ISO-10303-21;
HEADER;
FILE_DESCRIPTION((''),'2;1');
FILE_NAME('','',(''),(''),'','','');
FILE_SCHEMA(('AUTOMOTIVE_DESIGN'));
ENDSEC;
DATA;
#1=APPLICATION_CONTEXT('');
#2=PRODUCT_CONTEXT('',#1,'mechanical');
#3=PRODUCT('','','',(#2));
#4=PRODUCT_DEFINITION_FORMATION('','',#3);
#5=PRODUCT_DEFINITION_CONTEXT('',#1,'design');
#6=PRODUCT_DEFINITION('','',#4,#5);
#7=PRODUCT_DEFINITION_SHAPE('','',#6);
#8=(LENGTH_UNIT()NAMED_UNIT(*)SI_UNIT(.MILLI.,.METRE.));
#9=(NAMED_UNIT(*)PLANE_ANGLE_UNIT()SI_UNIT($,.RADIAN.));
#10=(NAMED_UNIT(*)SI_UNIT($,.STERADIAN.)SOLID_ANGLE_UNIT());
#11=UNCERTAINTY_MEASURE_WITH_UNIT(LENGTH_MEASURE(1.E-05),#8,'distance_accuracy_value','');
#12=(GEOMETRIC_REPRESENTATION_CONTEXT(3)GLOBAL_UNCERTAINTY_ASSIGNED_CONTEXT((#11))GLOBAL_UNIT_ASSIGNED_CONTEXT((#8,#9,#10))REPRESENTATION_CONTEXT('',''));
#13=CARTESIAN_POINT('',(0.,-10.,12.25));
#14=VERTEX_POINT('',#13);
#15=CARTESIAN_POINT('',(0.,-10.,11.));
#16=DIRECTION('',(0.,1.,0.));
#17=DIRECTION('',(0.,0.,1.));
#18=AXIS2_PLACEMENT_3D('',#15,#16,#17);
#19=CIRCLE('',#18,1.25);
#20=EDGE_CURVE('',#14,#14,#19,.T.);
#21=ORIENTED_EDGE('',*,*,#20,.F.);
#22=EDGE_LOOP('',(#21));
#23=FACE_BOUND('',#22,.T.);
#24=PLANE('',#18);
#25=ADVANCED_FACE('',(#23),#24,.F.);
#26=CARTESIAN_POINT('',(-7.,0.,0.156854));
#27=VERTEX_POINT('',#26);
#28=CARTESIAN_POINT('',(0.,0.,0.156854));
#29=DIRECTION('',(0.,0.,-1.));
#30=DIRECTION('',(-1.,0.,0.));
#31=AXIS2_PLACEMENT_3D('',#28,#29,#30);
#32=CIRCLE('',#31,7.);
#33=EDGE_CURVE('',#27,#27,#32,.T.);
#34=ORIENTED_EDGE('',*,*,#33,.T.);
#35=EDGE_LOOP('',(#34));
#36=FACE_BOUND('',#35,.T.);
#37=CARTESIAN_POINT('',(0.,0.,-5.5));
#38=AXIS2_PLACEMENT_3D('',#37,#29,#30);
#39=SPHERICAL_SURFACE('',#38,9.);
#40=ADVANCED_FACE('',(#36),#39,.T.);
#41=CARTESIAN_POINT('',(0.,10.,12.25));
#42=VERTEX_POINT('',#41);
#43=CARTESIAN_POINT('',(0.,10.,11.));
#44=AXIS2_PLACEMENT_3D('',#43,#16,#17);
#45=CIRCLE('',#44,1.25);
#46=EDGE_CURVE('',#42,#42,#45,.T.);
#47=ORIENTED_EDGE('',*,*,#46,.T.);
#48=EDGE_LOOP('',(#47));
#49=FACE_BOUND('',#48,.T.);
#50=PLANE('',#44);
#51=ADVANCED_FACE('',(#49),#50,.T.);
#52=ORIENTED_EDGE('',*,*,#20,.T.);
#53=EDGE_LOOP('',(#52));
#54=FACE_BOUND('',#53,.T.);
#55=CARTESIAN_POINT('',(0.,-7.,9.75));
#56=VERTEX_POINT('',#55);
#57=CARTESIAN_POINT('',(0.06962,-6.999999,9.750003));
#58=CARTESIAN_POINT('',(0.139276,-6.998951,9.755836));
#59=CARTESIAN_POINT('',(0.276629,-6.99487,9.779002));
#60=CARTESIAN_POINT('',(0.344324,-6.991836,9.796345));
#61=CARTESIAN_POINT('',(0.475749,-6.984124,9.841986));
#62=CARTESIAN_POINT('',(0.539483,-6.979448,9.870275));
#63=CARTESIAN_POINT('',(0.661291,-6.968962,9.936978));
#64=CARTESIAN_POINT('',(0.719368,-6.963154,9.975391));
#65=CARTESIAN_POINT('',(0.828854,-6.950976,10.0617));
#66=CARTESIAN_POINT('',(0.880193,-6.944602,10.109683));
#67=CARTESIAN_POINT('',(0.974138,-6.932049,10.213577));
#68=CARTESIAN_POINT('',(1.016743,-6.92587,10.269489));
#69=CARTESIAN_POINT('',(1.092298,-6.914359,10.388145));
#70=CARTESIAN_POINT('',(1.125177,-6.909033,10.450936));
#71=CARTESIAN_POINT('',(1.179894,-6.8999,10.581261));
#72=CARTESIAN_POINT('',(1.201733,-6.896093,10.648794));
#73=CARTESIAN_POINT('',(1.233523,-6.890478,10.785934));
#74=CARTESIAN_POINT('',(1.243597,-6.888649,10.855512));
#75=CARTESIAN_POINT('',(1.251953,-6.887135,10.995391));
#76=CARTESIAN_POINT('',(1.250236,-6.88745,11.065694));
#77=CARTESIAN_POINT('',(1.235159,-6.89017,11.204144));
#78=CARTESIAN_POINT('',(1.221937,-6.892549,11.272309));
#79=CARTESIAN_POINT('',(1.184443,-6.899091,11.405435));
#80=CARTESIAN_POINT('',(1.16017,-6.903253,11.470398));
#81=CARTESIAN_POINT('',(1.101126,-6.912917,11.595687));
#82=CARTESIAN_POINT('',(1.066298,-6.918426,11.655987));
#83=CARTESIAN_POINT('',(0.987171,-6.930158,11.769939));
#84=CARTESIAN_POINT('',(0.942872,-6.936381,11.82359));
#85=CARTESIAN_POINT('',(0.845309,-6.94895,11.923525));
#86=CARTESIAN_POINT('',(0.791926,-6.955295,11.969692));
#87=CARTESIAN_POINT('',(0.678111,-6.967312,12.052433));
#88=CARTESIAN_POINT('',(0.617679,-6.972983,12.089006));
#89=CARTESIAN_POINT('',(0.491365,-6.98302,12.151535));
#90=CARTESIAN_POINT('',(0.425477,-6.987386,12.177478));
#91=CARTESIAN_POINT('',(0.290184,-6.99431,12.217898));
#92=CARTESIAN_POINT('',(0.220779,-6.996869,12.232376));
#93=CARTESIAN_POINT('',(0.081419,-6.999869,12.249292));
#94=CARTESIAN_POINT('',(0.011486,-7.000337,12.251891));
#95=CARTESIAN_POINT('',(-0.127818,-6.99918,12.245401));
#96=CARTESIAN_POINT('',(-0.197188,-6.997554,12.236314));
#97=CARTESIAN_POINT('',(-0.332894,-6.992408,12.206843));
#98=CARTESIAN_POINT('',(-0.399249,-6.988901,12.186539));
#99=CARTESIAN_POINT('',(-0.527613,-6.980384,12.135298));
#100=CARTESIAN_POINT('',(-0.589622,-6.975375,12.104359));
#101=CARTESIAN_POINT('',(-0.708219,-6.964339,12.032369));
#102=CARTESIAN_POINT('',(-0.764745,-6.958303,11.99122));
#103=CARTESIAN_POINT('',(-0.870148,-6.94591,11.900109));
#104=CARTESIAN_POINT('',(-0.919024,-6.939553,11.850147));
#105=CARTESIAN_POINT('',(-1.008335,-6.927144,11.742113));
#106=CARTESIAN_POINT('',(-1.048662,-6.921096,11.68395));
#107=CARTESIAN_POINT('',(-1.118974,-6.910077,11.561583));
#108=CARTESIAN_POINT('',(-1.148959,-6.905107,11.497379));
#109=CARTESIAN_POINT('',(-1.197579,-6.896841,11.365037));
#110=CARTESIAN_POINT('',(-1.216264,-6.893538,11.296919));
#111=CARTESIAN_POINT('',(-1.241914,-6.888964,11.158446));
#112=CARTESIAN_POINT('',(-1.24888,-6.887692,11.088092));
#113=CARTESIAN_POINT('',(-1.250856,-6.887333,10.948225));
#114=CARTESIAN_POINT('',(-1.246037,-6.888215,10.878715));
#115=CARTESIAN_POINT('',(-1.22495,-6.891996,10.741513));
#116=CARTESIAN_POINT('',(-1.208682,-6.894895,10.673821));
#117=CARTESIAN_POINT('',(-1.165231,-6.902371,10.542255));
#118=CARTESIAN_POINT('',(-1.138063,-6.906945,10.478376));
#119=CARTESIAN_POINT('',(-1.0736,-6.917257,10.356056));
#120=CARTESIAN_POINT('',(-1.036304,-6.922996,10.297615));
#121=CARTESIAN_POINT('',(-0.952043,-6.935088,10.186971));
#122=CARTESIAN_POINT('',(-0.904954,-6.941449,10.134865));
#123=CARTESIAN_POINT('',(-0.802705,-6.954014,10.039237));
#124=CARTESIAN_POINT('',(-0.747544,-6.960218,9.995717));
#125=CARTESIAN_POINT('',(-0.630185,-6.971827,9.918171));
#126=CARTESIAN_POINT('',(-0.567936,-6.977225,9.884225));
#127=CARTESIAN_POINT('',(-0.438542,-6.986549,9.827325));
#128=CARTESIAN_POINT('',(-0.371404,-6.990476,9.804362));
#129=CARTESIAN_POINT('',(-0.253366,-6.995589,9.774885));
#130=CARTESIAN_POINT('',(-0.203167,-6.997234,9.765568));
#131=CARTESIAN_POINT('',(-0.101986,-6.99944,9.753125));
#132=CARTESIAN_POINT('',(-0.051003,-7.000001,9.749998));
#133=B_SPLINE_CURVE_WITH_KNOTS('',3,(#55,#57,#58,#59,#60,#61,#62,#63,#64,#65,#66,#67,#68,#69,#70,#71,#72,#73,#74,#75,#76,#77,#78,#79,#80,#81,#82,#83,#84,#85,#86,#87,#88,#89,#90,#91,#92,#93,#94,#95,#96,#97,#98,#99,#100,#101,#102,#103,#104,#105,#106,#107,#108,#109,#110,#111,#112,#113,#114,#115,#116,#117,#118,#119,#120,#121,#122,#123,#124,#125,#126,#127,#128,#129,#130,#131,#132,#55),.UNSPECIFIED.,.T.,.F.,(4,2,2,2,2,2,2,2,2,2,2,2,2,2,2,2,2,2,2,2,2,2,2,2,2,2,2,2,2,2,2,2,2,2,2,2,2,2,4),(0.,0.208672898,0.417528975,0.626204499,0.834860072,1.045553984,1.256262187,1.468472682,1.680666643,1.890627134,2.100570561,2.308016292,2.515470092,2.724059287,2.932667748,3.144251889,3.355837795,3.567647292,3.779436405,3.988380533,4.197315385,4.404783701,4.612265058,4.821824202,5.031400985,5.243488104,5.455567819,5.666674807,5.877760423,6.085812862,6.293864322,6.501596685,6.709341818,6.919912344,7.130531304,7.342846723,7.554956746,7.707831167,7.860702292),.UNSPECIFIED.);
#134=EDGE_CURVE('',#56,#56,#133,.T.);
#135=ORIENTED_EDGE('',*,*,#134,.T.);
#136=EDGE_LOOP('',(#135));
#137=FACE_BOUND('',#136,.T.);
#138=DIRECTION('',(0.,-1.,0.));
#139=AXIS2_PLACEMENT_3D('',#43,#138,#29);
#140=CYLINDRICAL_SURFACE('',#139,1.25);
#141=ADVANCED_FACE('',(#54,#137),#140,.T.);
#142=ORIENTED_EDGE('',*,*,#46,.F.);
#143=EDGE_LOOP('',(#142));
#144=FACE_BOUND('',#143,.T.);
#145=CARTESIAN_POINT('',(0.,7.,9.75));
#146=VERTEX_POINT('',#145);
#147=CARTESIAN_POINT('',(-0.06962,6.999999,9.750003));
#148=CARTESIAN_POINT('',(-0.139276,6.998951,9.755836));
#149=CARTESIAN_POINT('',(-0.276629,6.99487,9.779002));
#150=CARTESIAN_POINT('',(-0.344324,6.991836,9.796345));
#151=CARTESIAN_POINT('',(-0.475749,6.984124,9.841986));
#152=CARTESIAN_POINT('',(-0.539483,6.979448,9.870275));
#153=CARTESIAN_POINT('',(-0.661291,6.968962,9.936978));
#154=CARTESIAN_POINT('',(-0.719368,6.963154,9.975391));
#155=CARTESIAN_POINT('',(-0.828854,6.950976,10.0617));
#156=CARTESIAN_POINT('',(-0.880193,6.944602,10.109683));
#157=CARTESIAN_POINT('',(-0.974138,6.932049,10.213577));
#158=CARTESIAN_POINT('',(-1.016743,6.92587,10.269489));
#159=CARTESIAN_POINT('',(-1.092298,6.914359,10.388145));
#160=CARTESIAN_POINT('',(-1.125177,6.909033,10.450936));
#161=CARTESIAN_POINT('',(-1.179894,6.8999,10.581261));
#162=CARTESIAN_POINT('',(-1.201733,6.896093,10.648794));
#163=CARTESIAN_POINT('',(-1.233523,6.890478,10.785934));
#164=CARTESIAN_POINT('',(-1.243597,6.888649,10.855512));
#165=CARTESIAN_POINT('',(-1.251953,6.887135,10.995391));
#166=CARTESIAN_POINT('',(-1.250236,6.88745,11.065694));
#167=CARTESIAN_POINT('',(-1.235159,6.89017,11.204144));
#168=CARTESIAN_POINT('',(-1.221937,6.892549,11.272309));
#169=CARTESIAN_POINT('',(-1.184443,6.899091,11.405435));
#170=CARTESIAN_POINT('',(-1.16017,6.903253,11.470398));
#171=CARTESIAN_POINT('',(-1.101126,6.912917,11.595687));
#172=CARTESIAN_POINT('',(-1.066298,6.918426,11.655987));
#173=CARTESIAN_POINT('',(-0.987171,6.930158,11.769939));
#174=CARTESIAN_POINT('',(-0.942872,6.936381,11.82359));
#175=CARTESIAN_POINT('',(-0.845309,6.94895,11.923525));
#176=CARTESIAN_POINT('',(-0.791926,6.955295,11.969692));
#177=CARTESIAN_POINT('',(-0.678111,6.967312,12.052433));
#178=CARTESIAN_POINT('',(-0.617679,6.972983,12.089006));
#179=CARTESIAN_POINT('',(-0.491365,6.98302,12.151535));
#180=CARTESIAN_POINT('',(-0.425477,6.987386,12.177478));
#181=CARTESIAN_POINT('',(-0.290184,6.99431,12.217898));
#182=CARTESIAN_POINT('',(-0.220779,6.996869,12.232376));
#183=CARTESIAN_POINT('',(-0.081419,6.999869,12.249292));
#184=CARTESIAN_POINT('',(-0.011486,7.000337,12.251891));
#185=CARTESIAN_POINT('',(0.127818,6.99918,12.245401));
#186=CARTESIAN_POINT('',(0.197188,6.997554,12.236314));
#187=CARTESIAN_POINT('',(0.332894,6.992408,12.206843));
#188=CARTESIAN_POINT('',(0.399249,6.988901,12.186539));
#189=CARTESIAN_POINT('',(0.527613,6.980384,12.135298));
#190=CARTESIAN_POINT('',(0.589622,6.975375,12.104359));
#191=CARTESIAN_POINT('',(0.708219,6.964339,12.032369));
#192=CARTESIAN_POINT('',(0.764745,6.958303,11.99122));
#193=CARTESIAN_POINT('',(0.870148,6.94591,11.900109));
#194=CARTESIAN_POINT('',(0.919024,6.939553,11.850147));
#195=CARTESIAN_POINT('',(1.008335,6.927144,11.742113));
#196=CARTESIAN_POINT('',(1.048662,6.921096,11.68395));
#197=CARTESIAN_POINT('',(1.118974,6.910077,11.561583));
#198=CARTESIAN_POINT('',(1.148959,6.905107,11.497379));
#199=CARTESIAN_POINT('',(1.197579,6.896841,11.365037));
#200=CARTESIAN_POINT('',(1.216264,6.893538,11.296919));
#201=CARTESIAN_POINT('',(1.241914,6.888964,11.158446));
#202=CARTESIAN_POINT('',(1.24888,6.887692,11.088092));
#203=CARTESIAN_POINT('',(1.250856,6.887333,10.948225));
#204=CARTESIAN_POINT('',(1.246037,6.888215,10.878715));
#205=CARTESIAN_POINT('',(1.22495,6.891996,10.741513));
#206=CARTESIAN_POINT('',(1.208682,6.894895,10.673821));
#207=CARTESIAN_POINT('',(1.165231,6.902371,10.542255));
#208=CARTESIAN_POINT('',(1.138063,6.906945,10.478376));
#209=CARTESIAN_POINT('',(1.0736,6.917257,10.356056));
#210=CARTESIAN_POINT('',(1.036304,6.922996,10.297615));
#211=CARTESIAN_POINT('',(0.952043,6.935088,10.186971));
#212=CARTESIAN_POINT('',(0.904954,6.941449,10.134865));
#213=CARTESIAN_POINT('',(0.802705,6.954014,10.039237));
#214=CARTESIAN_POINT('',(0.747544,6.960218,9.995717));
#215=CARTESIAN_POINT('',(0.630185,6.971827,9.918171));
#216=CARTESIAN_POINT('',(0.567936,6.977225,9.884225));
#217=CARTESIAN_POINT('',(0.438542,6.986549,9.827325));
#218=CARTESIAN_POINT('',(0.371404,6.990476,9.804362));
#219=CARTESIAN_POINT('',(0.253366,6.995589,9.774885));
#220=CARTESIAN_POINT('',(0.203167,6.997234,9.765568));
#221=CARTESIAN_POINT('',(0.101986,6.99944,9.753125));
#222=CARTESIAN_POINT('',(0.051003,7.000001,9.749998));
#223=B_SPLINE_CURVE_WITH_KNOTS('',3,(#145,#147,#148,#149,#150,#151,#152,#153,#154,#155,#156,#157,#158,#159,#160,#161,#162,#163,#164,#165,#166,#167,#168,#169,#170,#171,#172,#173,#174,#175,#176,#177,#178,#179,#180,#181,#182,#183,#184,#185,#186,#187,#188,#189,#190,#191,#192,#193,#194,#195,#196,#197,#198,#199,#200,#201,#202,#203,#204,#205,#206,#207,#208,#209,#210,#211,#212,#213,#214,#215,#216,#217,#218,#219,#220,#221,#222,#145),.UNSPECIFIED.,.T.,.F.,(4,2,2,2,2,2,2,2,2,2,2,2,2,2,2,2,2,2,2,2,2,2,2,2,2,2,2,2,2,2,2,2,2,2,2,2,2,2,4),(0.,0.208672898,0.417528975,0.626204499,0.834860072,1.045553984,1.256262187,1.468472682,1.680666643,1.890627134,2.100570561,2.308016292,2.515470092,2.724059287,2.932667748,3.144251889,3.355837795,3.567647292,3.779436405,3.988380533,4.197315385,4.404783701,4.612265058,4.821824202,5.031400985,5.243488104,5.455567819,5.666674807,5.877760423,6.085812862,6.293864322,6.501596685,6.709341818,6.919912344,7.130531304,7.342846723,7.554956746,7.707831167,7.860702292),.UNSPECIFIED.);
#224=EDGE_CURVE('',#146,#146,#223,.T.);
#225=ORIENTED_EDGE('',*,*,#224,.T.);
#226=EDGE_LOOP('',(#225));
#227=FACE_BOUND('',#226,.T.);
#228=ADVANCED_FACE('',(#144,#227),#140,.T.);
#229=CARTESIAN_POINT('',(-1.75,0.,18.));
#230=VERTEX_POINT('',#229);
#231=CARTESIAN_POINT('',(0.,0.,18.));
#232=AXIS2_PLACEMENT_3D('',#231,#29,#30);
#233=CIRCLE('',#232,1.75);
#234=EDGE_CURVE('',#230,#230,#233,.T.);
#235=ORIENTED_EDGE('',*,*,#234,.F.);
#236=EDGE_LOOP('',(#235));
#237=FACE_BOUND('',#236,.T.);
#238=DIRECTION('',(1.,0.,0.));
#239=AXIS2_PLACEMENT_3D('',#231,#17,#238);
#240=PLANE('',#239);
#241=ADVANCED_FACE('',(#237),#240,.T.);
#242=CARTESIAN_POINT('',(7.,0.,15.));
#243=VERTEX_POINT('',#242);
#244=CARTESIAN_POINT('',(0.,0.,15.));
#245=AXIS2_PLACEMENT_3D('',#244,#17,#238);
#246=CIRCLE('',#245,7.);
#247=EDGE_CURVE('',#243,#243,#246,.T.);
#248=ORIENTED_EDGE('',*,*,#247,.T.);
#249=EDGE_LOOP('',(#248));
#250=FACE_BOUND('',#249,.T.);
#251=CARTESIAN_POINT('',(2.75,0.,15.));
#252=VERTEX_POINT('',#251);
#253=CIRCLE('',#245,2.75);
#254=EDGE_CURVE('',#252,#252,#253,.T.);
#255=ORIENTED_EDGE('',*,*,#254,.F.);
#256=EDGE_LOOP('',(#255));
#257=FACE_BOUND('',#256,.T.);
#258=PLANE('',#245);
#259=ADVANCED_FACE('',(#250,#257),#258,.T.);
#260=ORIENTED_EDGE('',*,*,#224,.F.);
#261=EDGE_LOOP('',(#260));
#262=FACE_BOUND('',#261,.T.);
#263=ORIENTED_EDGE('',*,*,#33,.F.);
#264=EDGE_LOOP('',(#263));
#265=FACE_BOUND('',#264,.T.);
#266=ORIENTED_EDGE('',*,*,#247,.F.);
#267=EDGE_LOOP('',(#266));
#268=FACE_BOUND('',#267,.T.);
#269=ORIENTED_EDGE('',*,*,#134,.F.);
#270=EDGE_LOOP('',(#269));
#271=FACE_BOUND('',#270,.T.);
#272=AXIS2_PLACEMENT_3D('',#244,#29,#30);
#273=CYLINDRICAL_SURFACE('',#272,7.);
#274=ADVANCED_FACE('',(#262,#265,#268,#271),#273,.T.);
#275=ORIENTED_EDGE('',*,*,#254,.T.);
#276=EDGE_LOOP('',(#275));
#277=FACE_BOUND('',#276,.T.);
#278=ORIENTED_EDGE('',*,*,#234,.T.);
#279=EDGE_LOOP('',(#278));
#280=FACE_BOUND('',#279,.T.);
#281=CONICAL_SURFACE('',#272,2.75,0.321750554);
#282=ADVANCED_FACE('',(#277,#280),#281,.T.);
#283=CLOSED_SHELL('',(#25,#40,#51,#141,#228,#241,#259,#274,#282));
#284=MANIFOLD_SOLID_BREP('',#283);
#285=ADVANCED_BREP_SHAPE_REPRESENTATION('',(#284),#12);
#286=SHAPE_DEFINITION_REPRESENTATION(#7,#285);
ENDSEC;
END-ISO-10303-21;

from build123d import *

# Parameters (mm, degrees)
ESQUISSE1_R        = 7
CORPS_DEPTH        = 15
ESQUISSE4_R        = 1.25
BAILLONETTES_DEPTH = 10


with BuildPart() as part:
    # Esquisse1 → Corps (new body)
    with BuildSketch(Plane.XY):
        with Locations(Location((0, 0, 0), (0, 0, 180))):  # turned: the seam where the file's is
            Circle(ESQUISSE1_R)
    extrude(amount=CORPS_DEPTH)

    # Esquisse3 → Verre (revolve)
    with BuildSketch(Plane(origin=(0, 0, 0), x_dir=(0, 0, -1), z_dir=(1, 0, 0))):
        with BuildLine():
            Line((5.5, -9), (5.5, 9))
            ThreePointArc((5.5, 9), (14.5, 0), (5.5, -9))
        make_face()
    revolve(axis=Axis((0, 11.000458592, -5.5), (0, -1, 0)))

    # Esquisse4 → Baillonettes (add, symmetric)
    with BuildSketch(Plane(origin=(0, 0, 0), x_dir=(1, 0, 0), z_dir=(0, 1, 0))):
        with Locations(Location((0, -11, 0), (0, 0, 90))):  # turned: the seam where the file's is
            Circle(ESQUISSE4_R)
    extrude(amount=BAILLONETTES_DEPTH, both=True)

    # Esquisse5 → Culot (revolve)
    with BuildSketch(Plane(origin=(0, 0, 0), x_dir=(0, 0, -1), z_dir=(1, 0, 0)), mode=Mode.PRIVATE) as culot_sk:
        Polygon((-18, 0), (-18, 1.75), (-15, 2.75), (-15, 0), align=None)
    revolve(culot_sk.sketch.rotate(Axis((0, 0, 9.557270233), (0, 0, 1)), 90), axis=Axis((0, 0, 9.557270233), (0, 0, 1)))  # turned: the seam where the file's is


solid = part.part
